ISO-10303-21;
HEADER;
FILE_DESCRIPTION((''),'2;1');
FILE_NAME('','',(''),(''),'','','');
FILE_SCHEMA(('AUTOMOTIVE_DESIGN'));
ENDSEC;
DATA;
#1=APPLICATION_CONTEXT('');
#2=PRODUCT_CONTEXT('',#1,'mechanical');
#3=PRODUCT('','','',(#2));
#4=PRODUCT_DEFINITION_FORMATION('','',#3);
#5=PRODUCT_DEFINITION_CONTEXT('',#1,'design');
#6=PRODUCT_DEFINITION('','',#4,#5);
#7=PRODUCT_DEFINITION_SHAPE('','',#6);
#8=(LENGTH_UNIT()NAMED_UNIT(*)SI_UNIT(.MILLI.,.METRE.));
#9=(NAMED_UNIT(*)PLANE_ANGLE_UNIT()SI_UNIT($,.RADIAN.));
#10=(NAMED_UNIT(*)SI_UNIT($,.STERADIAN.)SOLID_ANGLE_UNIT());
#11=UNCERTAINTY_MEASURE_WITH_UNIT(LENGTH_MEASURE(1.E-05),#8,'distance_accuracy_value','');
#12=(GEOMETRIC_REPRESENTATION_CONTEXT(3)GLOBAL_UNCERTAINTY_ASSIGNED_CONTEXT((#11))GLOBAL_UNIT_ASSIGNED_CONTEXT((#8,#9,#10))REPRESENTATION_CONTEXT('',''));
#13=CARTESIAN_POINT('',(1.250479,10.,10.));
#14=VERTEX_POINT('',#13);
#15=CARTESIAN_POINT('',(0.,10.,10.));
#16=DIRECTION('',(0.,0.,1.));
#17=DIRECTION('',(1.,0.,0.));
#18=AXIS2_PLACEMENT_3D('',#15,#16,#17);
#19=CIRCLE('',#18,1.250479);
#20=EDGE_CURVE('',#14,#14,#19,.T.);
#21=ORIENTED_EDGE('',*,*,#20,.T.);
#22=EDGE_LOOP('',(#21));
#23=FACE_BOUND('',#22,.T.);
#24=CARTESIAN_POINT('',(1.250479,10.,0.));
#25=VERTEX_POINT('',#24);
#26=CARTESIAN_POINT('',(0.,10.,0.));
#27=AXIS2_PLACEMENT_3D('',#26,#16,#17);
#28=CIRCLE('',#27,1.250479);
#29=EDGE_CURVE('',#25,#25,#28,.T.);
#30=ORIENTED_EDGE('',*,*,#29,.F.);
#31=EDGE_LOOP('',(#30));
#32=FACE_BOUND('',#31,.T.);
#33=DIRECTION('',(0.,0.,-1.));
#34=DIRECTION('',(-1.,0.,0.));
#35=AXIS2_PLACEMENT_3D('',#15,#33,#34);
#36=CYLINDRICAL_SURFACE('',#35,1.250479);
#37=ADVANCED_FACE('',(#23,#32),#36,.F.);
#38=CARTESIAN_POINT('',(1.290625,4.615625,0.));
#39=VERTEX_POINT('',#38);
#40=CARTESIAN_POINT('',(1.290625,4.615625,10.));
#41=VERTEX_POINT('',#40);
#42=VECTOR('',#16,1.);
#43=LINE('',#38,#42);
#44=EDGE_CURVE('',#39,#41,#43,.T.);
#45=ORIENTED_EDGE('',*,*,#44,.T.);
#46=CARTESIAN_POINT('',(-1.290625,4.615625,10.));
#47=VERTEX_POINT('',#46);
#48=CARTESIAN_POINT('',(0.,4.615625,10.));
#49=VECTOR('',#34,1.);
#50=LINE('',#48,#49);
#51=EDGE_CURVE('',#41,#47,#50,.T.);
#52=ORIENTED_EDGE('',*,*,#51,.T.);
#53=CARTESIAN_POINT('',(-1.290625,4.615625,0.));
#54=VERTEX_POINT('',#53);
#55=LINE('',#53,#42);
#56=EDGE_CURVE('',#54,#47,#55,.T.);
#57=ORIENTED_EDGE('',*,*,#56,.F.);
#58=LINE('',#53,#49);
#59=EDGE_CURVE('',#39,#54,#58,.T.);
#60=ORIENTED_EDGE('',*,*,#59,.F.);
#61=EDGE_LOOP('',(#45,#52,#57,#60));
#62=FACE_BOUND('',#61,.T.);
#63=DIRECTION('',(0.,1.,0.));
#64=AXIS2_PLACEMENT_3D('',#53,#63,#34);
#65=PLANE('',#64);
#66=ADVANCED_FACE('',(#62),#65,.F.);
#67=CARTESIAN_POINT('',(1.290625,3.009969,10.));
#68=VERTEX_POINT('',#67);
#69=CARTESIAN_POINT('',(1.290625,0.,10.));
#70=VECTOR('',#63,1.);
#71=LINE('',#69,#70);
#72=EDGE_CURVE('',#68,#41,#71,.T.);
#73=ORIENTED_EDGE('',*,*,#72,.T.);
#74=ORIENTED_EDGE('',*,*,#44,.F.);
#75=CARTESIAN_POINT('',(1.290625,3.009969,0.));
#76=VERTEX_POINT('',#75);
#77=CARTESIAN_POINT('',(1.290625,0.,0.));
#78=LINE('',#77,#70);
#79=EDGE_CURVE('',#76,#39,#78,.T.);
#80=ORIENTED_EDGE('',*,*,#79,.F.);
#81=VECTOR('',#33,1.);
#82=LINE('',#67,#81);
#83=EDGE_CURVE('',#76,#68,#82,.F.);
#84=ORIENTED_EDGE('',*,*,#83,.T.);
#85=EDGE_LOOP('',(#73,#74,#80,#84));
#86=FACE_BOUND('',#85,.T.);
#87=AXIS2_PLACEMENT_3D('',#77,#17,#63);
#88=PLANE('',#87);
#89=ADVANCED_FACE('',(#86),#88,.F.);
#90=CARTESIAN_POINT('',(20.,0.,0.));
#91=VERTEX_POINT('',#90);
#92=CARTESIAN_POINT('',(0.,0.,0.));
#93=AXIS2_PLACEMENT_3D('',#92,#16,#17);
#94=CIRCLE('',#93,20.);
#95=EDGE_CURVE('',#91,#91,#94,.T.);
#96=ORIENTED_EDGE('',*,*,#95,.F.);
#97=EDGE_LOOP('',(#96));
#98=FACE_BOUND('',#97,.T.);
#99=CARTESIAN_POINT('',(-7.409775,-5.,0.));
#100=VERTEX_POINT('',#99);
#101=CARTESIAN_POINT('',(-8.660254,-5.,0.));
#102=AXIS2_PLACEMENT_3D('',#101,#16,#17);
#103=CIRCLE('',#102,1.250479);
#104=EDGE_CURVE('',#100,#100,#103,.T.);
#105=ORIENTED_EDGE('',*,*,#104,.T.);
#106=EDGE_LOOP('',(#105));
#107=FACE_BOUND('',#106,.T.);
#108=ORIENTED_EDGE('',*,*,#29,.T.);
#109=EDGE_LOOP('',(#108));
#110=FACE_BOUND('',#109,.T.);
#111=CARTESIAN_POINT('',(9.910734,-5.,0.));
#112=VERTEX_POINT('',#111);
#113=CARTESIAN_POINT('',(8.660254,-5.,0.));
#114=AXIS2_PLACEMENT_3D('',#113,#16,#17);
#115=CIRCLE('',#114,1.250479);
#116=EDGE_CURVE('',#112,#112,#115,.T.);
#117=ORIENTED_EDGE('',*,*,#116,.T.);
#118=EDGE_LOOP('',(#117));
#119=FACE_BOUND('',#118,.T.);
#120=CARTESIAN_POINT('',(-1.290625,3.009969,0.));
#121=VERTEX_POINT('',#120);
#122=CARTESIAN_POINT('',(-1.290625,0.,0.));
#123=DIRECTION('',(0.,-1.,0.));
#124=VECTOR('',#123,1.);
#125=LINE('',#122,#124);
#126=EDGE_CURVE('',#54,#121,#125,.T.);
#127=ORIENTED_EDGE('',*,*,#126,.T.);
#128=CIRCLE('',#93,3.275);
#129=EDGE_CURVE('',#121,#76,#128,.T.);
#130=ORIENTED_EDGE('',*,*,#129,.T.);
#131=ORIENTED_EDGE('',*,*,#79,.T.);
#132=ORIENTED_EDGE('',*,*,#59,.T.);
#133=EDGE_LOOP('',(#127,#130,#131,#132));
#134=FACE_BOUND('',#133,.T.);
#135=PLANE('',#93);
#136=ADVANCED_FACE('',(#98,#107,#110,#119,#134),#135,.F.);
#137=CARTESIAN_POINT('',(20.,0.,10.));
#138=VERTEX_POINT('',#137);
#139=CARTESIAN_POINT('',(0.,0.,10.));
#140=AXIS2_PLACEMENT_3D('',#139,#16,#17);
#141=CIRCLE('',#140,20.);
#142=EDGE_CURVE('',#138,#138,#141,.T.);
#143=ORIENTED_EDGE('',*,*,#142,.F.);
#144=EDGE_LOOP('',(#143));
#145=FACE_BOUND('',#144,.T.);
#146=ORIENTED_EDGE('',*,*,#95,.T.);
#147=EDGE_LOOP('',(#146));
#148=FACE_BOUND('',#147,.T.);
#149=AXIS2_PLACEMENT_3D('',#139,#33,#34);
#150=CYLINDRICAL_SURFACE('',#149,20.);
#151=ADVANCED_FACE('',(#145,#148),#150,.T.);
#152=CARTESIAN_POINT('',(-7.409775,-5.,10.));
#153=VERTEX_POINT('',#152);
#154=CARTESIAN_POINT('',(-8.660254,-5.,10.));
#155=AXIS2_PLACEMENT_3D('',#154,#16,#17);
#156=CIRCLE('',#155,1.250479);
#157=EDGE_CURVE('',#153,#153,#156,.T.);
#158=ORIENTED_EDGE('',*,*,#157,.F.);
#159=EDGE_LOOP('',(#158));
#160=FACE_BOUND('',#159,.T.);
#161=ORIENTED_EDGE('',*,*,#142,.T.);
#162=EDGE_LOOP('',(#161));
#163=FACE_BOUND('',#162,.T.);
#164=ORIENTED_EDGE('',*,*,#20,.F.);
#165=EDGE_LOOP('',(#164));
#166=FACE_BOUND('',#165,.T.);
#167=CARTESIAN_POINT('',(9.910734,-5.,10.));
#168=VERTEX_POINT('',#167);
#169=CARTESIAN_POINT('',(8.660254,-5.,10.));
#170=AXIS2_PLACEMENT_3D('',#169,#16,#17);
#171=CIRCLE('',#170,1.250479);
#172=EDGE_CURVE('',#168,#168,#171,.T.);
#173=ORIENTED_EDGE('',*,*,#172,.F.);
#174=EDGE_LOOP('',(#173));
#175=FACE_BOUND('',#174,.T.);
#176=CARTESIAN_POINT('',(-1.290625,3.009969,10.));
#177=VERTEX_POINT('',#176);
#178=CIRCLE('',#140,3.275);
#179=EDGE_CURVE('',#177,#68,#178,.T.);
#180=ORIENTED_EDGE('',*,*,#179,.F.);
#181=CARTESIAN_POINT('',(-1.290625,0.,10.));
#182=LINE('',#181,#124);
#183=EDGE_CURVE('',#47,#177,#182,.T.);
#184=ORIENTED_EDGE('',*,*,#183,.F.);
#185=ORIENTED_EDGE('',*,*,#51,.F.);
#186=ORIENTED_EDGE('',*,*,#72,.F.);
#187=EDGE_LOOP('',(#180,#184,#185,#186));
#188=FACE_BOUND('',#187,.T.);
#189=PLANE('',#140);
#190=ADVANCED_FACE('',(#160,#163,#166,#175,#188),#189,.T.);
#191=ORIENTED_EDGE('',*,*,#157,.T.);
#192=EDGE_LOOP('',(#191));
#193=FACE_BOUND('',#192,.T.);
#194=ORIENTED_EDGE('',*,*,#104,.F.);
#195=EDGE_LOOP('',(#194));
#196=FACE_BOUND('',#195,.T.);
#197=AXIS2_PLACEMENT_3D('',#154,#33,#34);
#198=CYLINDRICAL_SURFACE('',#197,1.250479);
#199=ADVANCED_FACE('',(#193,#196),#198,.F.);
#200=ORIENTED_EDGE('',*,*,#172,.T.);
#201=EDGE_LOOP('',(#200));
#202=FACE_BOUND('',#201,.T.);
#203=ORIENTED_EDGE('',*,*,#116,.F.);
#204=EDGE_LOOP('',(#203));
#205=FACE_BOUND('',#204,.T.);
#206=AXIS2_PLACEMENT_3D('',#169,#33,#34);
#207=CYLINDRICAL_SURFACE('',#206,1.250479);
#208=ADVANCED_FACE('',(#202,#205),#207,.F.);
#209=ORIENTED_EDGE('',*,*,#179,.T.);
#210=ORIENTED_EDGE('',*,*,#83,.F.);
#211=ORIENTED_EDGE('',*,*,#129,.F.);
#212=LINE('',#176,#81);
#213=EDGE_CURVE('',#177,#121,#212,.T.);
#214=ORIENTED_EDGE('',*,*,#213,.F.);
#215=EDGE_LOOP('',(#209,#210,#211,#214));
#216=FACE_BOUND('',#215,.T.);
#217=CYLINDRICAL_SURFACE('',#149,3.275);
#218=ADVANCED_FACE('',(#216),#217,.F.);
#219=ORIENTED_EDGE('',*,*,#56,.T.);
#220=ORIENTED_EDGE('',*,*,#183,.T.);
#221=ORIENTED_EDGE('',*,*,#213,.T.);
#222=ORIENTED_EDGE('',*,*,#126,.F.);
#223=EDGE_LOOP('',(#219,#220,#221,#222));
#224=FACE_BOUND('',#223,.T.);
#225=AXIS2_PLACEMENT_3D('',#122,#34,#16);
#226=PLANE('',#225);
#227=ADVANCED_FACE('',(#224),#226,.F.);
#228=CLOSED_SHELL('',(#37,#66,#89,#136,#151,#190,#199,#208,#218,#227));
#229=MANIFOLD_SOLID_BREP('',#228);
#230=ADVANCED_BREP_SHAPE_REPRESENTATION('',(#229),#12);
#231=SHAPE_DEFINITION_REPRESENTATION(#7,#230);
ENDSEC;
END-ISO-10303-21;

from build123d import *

# Parameters (mm, degrees)
SKETCH1_R               = 20
SKETCH1_R_2             = 1.250479472
SKETCH1_R_3             = 3.275
BOSS_EXTRUDE1_DEPTH     = 10
CUT_EXTRUDE1_DEPTH      = 31
CUT_EXTRUDE1_DEPTH_BACK = 31
SKETCH2_W               = 2.58125
SKETCH2_H               = 4.615625


with BuildPart() as part:
    # Sketch1 → Boss-Extrude1 (new body)
    with BuildSketch(Plane.XY):
        Circle(SKETCH1_R)
        with Locations((0, 10)):
            Circle(SKETCH1_R_2, mode=Mode.SUBTRACT)
        Circle(SKETCH1_R_3, mode=Mode.SUBTRACT)
        with Locations((8.660254038, -5)):
            Circle(SKETCH1_R_2, mode=Mode.SUBTRACT)
        with Locations((-8.660254038, -5)):
            Circle(SKETCH1_R_2, mode=Mode.SUBTRACT)
    extrude(amount=BOSS_EXTRUDE1_DEPTH)

    # Sketch2 → Cut-Extrude1 (cut, two sides: drawn at the far end of the back side and taken through both)
    with BuildSketch(Plane.XY.offset(10).offset(-CUT_EXTRUDE1_DEPTH_BACK)):
        with Locations((0, 2.3078125)):
            Rectangle(SKETCH2_W, SKETCH2_H)
    extrude(amount=CUT_EXTRUDE1_DEPTH + CUT_EXTRUDE1_DEPTH_BACK, mode=Mode.SUBTRACT)


solid = part.part
